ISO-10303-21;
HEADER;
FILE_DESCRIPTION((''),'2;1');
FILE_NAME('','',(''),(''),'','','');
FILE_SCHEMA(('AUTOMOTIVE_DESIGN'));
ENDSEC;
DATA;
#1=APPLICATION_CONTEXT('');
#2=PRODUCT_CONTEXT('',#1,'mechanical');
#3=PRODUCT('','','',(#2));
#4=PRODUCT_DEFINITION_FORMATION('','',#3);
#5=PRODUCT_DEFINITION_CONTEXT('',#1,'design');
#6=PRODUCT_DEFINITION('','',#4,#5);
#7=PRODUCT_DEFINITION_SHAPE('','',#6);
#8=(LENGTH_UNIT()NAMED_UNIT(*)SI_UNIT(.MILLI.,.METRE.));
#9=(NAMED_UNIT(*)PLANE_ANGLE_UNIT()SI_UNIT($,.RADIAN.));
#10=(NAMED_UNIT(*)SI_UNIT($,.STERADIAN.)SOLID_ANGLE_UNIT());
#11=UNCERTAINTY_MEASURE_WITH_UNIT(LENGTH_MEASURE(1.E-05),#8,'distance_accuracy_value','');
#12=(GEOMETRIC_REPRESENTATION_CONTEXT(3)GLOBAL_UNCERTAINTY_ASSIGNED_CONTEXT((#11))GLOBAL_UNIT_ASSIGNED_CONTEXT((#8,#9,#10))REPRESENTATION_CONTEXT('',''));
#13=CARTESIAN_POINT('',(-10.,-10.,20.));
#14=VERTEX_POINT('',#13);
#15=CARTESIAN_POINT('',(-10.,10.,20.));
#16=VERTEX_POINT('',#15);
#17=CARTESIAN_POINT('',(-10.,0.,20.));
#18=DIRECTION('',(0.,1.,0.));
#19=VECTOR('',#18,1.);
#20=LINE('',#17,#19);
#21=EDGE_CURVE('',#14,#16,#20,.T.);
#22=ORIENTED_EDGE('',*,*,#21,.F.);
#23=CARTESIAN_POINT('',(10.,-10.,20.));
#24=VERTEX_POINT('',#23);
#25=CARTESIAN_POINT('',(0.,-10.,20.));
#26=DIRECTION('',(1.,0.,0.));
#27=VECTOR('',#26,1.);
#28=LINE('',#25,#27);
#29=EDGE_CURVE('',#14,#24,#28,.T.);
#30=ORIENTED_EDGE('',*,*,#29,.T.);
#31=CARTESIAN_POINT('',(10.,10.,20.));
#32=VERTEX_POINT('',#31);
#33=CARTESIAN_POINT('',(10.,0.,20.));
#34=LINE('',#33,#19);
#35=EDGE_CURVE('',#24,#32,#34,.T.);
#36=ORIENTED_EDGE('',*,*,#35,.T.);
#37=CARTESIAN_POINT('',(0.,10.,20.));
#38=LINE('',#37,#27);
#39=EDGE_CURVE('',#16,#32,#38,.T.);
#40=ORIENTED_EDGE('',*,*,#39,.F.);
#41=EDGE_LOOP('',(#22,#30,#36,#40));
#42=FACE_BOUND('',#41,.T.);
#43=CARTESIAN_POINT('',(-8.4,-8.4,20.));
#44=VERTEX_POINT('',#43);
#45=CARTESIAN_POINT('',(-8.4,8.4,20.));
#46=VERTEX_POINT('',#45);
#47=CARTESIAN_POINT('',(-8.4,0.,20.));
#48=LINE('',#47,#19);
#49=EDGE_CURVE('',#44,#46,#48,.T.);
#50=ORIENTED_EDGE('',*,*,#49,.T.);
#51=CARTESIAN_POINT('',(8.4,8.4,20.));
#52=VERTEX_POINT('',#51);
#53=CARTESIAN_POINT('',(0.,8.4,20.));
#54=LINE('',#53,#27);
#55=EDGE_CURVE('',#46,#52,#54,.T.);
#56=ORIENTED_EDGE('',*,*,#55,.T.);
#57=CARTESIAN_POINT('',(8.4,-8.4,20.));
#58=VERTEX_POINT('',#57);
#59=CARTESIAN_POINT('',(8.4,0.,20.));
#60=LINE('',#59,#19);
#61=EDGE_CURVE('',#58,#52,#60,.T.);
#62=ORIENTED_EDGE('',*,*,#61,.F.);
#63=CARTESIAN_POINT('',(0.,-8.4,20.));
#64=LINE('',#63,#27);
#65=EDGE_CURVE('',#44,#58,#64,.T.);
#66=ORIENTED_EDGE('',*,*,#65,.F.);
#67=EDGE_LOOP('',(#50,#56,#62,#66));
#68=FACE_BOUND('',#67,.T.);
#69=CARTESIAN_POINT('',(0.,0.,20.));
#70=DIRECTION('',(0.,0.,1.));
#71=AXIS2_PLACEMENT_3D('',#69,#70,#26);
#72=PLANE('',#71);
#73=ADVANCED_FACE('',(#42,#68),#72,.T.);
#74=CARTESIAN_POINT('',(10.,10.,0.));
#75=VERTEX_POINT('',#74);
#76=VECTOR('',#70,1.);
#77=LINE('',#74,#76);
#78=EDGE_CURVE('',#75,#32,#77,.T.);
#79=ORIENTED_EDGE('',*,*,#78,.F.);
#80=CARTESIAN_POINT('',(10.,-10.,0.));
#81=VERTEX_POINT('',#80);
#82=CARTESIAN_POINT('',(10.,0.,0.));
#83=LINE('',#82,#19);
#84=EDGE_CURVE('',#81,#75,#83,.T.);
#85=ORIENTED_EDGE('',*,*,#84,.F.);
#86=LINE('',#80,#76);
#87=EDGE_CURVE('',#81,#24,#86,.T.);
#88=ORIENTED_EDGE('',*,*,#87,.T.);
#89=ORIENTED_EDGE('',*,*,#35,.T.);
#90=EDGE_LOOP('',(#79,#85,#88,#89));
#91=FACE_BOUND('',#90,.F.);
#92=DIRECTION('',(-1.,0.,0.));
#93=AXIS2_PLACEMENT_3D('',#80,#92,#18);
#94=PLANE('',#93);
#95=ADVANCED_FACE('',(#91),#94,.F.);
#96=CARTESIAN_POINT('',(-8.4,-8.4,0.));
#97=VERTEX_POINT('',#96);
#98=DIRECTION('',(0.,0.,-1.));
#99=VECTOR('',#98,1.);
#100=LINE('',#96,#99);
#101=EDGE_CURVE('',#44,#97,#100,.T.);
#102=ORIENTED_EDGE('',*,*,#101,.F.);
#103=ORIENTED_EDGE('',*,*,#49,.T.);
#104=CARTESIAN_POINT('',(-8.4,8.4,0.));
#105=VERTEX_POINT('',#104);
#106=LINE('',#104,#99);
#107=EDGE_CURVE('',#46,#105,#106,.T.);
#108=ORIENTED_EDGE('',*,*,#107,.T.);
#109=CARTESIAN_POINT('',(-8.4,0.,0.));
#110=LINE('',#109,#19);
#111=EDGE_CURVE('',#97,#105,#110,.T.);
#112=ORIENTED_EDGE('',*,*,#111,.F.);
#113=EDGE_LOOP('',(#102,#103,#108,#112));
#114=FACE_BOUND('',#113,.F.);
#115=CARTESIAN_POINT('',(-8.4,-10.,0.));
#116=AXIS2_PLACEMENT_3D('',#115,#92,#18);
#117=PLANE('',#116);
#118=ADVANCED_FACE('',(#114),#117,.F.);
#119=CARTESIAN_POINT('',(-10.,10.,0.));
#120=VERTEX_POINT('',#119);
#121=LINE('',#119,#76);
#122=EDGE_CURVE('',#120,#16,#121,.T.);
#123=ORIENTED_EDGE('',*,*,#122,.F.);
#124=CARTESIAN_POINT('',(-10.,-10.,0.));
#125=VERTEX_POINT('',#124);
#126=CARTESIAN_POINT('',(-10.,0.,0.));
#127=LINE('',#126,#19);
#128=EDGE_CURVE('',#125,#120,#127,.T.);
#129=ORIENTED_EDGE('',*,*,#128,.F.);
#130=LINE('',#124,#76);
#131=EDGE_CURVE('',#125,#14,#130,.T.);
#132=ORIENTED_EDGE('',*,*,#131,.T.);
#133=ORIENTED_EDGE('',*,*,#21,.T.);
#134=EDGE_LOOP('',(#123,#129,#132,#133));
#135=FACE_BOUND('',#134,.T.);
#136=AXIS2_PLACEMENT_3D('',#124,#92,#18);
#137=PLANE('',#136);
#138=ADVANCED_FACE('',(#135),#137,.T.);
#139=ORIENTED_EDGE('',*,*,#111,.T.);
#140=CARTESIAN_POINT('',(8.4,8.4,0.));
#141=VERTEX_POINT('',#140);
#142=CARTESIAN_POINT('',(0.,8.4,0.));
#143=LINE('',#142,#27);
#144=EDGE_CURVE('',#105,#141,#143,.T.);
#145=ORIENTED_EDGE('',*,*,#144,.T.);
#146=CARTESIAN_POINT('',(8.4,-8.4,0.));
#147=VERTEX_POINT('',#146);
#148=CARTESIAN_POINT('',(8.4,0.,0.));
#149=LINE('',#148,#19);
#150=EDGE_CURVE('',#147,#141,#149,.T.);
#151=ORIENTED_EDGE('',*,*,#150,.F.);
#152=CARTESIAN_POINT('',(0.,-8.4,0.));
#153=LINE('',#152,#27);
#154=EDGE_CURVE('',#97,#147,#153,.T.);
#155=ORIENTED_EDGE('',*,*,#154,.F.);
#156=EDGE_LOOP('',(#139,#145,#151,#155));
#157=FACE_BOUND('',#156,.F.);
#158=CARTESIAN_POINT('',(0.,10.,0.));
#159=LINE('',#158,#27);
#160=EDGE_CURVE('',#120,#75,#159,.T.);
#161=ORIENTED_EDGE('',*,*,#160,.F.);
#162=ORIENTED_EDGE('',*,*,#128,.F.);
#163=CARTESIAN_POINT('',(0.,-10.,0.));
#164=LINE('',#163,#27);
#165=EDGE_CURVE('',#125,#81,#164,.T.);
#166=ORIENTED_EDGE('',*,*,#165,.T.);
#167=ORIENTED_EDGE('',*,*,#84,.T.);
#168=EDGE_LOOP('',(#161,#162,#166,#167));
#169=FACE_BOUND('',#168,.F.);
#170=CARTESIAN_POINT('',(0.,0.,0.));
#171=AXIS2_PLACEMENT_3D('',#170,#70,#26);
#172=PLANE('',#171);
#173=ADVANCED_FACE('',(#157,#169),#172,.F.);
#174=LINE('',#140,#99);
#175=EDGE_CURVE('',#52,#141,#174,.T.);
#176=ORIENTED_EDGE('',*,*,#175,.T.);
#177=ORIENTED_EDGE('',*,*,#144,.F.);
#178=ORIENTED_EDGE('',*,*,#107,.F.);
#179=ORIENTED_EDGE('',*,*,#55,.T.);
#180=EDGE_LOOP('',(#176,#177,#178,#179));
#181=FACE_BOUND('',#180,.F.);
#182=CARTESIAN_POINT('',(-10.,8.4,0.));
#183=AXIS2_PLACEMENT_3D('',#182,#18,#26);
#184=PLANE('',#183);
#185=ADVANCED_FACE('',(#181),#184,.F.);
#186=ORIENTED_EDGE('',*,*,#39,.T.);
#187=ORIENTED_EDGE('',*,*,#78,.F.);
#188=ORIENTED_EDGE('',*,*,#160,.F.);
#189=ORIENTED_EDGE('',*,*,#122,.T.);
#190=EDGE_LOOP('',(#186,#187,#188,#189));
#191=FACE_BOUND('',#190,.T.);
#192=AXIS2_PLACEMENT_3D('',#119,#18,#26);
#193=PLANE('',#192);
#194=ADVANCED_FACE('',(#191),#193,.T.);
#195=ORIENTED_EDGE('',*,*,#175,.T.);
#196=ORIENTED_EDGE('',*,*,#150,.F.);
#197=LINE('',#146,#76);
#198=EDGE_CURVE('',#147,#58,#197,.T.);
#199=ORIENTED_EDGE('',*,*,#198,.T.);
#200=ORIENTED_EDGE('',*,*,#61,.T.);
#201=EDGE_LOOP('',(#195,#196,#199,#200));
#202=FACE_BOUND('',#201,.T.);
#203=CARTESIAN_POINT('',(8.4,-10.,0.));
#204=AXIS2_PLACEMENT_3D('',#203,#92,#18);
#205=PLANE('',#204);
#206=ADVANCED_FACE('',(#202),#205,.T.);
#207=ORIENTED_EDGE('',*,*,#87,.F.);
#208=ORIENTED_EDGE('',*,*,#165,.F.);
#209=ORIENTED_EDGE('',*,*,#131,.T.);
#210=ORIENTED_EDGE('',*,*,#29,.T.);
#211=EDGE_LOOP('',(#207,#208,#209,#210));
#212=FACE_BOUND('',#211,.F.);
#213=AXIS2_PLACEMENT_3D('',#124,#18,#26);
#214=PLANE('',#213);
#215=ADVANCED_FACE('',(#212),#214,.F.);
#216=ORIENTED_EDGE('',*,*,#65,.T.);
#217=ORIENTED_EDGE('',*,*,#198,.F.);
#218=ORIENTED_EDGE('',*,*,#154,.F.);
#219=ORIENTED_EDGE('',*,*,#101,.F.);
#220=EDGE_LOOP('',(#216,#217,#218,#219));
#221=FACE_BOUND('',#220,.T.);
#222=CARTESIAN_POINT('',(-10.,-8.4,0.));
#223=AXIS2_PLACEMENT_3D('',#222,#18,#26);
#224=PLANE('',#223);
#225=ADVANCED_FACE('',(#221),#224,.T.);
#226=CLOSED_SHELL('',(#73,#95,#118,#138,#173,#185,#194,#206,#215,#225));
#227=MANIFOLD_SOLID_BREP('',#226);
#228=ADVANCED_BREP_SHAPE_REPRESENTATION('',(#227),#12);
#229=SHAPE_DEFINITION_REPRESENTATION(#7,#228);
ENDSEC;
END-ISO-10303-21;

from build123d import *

# Parameters (mm, degrees)
F0_W     = 20
F0_H     = 20
F1_DEPTH = 20
F2_T     = -1.6


with BuildPart() as f1:
    # F0 (on Top) → F1 (new body)
    with BuildSketch(Plane.XY):
        Rectangle(F0_W, F0_H)
    extrude(amount=F1_DEPTH)

    # F2
    f2_openings = [f1.faces().sort_by_distance(p)[0] for p in [
        (0, 0, 20),
        (0, 0, 0),
    ]]
    offset(amount=F2_T, openings=f2_openings)


solid = f1.part
